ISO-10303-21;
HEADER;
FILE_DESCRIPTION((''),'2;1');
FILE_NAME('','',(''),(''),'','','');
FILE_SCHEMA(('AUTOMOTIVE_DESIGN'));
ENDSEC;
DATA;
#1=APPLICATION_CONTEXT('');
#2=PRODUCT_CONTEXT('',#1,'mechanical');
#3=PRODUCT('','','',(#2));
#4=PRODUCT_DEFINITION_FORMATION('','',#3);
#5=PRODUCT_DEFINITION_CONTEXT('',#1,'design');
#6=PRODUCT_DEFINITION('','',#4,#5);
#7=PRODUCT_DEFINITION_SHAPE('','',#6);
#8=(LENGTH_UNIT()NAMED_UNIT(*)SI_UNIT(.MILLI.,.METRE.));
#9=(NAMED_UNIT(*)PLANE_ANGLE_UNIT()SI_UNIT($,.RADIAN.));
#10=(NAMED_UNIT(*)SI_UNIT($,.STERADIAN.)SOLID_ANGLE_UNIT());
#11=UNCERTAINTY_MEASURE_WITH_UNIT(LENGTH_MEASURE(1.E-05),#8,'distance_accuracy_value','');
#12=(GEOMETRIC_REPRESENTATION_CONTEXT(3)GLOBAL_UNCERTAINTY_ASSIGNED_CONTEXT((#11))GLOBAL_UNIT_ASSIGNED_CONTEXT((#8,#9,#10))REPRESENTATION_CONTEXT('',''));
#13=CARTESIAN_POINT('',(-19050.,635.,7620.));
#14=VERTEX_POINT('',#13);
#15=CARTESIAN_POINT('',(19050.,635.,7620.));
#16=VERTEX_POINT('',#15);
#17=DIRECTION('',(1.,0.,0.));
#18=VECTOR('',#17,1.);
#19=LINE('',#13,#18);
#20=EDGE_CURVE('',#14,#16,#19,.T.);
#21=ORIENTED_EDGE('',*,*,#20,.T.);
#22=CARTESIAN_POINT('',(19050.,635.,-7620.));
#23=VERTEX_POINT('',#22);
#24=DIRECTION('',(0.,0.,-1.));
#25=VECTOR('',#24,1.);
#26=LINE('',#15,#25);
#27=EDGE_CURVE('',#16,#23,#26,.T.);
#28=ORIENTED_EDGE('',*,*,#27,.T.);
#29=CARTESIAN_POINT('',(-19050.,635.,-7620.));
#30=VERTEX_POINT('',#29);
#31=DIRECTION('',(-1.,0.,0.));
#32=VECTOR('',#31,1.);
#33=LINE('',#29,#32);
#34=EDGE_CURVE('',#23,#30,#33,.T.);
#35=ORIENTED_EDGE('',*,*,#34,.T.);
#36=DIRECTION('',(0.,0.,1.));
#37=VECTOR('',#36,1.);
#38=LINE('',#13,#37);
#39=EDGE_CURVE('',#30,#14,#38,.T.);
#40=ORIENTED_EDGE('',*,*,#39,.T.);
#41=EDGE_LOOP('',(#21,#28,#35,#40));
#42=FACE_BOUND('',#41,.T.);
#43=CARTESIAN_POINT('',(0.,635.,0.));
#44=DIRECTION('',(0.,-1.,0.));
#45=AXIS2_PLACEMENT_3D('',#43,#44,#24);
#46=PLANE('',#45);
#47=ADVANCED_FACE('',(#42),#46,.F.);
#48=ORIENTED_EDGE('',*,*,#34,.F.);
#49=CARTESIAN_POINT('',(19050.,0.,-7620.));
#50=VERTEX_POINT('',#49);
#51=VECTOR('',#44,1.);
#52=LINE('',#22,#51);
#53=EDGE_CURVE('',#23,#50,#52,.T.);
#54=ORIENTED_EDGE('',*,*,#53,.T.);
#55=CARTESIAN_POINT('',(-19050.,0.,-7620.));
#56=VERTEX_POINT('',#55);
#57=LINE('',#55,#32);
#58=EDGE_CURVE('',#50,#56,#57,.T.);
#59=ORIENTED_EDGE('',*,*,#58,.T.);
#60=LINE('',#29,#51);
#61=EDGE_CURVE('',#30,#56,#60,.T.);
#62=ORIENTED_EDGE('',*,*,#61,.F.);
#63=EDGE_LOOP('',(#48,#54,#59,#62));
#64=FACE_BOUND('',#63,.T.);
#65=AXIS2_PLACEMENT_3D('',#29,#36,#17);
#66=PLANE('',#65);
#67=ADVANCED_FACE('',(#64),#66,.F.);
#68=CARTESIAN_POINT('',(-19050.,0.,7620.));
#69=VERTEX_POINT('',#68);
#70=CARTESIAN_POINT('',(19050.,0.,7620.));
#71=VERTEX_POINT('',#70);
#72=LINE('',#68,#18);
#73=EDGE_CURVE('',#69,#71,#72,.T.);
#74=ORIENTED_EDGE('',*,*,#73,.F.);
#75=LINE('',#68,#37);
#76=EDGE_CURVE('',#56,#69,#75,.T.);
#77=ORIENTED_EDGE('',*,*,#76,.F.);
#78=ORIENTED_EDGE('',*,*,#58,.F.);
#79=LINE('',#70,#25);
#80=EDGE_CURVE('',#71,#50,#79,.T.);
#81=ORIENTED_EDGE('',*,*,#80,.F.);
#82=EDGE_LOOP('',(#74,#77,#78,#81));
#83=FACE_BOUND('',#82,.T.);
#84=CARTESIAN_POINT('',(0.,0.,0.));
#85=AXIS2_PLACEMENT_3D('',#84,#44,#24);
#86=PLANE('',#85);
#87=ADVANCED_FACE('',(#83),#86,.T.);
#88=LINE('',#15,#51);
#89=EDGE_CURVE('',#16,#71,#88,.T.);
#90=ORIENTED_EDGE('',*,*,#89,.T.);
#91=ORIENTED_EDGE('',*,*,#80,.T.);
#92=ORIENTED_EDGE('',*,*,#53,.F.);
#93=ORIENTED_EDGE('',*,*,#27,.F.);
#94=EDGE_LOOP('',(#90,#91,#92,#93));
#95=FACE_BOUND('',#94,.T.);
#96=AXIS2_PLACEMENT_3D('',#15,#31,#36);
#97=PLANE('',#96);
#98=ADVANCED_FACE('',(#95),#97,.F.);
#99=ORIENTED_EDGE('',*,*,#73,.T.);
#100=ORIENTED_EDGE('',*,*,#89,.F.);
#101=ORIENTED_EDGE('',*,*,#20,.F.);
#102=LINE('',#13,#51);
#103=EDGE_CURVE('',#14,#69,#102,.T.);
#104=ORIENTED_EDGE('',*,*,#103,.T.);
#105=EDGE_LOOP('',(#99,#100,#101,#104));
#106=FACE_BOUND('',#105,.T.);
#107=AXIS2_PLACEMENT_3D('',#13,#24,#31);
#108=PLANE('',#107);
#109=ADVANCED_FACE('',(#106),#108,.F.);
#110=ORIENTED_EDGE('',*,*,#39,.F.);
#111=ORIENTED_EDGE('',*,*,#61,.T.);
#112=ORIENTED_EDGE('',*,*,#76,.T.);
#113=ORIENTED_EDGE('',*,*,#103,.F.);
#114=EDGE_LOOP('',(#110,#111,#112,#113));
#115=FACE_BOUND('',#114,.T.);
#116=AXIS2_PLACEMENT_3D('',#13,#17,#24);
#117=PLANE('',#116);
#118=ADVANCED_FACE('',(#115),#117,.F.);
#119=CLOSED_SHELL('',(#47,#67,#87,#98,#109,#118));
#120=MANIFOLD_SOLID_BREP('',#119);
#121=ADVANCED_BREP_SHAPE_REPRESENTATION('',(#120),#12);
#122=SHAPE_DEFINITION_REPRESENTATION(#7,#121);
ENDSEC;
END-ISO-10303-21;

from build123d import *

# Parameters (mm, degrees)
SKETCH1_W           = 38100
SKETCH1_H           = 15240
BOSS_EXTRUDE1_DEPTH = 635


with BuildPart() as part:
    # Sketch1 → Boss-Extrude1 (new body)
    with BuildSketch(Plane(origin=(0, 0, 0), x_dir=(1, 0, 0), z_dir=(0, 1, 0))):
        Rectangle(SKETCH1_W, SKETCH1_H)
    extrude(amount=BOSS_EXTRUDE1_DEPTH)


solid = part.part
